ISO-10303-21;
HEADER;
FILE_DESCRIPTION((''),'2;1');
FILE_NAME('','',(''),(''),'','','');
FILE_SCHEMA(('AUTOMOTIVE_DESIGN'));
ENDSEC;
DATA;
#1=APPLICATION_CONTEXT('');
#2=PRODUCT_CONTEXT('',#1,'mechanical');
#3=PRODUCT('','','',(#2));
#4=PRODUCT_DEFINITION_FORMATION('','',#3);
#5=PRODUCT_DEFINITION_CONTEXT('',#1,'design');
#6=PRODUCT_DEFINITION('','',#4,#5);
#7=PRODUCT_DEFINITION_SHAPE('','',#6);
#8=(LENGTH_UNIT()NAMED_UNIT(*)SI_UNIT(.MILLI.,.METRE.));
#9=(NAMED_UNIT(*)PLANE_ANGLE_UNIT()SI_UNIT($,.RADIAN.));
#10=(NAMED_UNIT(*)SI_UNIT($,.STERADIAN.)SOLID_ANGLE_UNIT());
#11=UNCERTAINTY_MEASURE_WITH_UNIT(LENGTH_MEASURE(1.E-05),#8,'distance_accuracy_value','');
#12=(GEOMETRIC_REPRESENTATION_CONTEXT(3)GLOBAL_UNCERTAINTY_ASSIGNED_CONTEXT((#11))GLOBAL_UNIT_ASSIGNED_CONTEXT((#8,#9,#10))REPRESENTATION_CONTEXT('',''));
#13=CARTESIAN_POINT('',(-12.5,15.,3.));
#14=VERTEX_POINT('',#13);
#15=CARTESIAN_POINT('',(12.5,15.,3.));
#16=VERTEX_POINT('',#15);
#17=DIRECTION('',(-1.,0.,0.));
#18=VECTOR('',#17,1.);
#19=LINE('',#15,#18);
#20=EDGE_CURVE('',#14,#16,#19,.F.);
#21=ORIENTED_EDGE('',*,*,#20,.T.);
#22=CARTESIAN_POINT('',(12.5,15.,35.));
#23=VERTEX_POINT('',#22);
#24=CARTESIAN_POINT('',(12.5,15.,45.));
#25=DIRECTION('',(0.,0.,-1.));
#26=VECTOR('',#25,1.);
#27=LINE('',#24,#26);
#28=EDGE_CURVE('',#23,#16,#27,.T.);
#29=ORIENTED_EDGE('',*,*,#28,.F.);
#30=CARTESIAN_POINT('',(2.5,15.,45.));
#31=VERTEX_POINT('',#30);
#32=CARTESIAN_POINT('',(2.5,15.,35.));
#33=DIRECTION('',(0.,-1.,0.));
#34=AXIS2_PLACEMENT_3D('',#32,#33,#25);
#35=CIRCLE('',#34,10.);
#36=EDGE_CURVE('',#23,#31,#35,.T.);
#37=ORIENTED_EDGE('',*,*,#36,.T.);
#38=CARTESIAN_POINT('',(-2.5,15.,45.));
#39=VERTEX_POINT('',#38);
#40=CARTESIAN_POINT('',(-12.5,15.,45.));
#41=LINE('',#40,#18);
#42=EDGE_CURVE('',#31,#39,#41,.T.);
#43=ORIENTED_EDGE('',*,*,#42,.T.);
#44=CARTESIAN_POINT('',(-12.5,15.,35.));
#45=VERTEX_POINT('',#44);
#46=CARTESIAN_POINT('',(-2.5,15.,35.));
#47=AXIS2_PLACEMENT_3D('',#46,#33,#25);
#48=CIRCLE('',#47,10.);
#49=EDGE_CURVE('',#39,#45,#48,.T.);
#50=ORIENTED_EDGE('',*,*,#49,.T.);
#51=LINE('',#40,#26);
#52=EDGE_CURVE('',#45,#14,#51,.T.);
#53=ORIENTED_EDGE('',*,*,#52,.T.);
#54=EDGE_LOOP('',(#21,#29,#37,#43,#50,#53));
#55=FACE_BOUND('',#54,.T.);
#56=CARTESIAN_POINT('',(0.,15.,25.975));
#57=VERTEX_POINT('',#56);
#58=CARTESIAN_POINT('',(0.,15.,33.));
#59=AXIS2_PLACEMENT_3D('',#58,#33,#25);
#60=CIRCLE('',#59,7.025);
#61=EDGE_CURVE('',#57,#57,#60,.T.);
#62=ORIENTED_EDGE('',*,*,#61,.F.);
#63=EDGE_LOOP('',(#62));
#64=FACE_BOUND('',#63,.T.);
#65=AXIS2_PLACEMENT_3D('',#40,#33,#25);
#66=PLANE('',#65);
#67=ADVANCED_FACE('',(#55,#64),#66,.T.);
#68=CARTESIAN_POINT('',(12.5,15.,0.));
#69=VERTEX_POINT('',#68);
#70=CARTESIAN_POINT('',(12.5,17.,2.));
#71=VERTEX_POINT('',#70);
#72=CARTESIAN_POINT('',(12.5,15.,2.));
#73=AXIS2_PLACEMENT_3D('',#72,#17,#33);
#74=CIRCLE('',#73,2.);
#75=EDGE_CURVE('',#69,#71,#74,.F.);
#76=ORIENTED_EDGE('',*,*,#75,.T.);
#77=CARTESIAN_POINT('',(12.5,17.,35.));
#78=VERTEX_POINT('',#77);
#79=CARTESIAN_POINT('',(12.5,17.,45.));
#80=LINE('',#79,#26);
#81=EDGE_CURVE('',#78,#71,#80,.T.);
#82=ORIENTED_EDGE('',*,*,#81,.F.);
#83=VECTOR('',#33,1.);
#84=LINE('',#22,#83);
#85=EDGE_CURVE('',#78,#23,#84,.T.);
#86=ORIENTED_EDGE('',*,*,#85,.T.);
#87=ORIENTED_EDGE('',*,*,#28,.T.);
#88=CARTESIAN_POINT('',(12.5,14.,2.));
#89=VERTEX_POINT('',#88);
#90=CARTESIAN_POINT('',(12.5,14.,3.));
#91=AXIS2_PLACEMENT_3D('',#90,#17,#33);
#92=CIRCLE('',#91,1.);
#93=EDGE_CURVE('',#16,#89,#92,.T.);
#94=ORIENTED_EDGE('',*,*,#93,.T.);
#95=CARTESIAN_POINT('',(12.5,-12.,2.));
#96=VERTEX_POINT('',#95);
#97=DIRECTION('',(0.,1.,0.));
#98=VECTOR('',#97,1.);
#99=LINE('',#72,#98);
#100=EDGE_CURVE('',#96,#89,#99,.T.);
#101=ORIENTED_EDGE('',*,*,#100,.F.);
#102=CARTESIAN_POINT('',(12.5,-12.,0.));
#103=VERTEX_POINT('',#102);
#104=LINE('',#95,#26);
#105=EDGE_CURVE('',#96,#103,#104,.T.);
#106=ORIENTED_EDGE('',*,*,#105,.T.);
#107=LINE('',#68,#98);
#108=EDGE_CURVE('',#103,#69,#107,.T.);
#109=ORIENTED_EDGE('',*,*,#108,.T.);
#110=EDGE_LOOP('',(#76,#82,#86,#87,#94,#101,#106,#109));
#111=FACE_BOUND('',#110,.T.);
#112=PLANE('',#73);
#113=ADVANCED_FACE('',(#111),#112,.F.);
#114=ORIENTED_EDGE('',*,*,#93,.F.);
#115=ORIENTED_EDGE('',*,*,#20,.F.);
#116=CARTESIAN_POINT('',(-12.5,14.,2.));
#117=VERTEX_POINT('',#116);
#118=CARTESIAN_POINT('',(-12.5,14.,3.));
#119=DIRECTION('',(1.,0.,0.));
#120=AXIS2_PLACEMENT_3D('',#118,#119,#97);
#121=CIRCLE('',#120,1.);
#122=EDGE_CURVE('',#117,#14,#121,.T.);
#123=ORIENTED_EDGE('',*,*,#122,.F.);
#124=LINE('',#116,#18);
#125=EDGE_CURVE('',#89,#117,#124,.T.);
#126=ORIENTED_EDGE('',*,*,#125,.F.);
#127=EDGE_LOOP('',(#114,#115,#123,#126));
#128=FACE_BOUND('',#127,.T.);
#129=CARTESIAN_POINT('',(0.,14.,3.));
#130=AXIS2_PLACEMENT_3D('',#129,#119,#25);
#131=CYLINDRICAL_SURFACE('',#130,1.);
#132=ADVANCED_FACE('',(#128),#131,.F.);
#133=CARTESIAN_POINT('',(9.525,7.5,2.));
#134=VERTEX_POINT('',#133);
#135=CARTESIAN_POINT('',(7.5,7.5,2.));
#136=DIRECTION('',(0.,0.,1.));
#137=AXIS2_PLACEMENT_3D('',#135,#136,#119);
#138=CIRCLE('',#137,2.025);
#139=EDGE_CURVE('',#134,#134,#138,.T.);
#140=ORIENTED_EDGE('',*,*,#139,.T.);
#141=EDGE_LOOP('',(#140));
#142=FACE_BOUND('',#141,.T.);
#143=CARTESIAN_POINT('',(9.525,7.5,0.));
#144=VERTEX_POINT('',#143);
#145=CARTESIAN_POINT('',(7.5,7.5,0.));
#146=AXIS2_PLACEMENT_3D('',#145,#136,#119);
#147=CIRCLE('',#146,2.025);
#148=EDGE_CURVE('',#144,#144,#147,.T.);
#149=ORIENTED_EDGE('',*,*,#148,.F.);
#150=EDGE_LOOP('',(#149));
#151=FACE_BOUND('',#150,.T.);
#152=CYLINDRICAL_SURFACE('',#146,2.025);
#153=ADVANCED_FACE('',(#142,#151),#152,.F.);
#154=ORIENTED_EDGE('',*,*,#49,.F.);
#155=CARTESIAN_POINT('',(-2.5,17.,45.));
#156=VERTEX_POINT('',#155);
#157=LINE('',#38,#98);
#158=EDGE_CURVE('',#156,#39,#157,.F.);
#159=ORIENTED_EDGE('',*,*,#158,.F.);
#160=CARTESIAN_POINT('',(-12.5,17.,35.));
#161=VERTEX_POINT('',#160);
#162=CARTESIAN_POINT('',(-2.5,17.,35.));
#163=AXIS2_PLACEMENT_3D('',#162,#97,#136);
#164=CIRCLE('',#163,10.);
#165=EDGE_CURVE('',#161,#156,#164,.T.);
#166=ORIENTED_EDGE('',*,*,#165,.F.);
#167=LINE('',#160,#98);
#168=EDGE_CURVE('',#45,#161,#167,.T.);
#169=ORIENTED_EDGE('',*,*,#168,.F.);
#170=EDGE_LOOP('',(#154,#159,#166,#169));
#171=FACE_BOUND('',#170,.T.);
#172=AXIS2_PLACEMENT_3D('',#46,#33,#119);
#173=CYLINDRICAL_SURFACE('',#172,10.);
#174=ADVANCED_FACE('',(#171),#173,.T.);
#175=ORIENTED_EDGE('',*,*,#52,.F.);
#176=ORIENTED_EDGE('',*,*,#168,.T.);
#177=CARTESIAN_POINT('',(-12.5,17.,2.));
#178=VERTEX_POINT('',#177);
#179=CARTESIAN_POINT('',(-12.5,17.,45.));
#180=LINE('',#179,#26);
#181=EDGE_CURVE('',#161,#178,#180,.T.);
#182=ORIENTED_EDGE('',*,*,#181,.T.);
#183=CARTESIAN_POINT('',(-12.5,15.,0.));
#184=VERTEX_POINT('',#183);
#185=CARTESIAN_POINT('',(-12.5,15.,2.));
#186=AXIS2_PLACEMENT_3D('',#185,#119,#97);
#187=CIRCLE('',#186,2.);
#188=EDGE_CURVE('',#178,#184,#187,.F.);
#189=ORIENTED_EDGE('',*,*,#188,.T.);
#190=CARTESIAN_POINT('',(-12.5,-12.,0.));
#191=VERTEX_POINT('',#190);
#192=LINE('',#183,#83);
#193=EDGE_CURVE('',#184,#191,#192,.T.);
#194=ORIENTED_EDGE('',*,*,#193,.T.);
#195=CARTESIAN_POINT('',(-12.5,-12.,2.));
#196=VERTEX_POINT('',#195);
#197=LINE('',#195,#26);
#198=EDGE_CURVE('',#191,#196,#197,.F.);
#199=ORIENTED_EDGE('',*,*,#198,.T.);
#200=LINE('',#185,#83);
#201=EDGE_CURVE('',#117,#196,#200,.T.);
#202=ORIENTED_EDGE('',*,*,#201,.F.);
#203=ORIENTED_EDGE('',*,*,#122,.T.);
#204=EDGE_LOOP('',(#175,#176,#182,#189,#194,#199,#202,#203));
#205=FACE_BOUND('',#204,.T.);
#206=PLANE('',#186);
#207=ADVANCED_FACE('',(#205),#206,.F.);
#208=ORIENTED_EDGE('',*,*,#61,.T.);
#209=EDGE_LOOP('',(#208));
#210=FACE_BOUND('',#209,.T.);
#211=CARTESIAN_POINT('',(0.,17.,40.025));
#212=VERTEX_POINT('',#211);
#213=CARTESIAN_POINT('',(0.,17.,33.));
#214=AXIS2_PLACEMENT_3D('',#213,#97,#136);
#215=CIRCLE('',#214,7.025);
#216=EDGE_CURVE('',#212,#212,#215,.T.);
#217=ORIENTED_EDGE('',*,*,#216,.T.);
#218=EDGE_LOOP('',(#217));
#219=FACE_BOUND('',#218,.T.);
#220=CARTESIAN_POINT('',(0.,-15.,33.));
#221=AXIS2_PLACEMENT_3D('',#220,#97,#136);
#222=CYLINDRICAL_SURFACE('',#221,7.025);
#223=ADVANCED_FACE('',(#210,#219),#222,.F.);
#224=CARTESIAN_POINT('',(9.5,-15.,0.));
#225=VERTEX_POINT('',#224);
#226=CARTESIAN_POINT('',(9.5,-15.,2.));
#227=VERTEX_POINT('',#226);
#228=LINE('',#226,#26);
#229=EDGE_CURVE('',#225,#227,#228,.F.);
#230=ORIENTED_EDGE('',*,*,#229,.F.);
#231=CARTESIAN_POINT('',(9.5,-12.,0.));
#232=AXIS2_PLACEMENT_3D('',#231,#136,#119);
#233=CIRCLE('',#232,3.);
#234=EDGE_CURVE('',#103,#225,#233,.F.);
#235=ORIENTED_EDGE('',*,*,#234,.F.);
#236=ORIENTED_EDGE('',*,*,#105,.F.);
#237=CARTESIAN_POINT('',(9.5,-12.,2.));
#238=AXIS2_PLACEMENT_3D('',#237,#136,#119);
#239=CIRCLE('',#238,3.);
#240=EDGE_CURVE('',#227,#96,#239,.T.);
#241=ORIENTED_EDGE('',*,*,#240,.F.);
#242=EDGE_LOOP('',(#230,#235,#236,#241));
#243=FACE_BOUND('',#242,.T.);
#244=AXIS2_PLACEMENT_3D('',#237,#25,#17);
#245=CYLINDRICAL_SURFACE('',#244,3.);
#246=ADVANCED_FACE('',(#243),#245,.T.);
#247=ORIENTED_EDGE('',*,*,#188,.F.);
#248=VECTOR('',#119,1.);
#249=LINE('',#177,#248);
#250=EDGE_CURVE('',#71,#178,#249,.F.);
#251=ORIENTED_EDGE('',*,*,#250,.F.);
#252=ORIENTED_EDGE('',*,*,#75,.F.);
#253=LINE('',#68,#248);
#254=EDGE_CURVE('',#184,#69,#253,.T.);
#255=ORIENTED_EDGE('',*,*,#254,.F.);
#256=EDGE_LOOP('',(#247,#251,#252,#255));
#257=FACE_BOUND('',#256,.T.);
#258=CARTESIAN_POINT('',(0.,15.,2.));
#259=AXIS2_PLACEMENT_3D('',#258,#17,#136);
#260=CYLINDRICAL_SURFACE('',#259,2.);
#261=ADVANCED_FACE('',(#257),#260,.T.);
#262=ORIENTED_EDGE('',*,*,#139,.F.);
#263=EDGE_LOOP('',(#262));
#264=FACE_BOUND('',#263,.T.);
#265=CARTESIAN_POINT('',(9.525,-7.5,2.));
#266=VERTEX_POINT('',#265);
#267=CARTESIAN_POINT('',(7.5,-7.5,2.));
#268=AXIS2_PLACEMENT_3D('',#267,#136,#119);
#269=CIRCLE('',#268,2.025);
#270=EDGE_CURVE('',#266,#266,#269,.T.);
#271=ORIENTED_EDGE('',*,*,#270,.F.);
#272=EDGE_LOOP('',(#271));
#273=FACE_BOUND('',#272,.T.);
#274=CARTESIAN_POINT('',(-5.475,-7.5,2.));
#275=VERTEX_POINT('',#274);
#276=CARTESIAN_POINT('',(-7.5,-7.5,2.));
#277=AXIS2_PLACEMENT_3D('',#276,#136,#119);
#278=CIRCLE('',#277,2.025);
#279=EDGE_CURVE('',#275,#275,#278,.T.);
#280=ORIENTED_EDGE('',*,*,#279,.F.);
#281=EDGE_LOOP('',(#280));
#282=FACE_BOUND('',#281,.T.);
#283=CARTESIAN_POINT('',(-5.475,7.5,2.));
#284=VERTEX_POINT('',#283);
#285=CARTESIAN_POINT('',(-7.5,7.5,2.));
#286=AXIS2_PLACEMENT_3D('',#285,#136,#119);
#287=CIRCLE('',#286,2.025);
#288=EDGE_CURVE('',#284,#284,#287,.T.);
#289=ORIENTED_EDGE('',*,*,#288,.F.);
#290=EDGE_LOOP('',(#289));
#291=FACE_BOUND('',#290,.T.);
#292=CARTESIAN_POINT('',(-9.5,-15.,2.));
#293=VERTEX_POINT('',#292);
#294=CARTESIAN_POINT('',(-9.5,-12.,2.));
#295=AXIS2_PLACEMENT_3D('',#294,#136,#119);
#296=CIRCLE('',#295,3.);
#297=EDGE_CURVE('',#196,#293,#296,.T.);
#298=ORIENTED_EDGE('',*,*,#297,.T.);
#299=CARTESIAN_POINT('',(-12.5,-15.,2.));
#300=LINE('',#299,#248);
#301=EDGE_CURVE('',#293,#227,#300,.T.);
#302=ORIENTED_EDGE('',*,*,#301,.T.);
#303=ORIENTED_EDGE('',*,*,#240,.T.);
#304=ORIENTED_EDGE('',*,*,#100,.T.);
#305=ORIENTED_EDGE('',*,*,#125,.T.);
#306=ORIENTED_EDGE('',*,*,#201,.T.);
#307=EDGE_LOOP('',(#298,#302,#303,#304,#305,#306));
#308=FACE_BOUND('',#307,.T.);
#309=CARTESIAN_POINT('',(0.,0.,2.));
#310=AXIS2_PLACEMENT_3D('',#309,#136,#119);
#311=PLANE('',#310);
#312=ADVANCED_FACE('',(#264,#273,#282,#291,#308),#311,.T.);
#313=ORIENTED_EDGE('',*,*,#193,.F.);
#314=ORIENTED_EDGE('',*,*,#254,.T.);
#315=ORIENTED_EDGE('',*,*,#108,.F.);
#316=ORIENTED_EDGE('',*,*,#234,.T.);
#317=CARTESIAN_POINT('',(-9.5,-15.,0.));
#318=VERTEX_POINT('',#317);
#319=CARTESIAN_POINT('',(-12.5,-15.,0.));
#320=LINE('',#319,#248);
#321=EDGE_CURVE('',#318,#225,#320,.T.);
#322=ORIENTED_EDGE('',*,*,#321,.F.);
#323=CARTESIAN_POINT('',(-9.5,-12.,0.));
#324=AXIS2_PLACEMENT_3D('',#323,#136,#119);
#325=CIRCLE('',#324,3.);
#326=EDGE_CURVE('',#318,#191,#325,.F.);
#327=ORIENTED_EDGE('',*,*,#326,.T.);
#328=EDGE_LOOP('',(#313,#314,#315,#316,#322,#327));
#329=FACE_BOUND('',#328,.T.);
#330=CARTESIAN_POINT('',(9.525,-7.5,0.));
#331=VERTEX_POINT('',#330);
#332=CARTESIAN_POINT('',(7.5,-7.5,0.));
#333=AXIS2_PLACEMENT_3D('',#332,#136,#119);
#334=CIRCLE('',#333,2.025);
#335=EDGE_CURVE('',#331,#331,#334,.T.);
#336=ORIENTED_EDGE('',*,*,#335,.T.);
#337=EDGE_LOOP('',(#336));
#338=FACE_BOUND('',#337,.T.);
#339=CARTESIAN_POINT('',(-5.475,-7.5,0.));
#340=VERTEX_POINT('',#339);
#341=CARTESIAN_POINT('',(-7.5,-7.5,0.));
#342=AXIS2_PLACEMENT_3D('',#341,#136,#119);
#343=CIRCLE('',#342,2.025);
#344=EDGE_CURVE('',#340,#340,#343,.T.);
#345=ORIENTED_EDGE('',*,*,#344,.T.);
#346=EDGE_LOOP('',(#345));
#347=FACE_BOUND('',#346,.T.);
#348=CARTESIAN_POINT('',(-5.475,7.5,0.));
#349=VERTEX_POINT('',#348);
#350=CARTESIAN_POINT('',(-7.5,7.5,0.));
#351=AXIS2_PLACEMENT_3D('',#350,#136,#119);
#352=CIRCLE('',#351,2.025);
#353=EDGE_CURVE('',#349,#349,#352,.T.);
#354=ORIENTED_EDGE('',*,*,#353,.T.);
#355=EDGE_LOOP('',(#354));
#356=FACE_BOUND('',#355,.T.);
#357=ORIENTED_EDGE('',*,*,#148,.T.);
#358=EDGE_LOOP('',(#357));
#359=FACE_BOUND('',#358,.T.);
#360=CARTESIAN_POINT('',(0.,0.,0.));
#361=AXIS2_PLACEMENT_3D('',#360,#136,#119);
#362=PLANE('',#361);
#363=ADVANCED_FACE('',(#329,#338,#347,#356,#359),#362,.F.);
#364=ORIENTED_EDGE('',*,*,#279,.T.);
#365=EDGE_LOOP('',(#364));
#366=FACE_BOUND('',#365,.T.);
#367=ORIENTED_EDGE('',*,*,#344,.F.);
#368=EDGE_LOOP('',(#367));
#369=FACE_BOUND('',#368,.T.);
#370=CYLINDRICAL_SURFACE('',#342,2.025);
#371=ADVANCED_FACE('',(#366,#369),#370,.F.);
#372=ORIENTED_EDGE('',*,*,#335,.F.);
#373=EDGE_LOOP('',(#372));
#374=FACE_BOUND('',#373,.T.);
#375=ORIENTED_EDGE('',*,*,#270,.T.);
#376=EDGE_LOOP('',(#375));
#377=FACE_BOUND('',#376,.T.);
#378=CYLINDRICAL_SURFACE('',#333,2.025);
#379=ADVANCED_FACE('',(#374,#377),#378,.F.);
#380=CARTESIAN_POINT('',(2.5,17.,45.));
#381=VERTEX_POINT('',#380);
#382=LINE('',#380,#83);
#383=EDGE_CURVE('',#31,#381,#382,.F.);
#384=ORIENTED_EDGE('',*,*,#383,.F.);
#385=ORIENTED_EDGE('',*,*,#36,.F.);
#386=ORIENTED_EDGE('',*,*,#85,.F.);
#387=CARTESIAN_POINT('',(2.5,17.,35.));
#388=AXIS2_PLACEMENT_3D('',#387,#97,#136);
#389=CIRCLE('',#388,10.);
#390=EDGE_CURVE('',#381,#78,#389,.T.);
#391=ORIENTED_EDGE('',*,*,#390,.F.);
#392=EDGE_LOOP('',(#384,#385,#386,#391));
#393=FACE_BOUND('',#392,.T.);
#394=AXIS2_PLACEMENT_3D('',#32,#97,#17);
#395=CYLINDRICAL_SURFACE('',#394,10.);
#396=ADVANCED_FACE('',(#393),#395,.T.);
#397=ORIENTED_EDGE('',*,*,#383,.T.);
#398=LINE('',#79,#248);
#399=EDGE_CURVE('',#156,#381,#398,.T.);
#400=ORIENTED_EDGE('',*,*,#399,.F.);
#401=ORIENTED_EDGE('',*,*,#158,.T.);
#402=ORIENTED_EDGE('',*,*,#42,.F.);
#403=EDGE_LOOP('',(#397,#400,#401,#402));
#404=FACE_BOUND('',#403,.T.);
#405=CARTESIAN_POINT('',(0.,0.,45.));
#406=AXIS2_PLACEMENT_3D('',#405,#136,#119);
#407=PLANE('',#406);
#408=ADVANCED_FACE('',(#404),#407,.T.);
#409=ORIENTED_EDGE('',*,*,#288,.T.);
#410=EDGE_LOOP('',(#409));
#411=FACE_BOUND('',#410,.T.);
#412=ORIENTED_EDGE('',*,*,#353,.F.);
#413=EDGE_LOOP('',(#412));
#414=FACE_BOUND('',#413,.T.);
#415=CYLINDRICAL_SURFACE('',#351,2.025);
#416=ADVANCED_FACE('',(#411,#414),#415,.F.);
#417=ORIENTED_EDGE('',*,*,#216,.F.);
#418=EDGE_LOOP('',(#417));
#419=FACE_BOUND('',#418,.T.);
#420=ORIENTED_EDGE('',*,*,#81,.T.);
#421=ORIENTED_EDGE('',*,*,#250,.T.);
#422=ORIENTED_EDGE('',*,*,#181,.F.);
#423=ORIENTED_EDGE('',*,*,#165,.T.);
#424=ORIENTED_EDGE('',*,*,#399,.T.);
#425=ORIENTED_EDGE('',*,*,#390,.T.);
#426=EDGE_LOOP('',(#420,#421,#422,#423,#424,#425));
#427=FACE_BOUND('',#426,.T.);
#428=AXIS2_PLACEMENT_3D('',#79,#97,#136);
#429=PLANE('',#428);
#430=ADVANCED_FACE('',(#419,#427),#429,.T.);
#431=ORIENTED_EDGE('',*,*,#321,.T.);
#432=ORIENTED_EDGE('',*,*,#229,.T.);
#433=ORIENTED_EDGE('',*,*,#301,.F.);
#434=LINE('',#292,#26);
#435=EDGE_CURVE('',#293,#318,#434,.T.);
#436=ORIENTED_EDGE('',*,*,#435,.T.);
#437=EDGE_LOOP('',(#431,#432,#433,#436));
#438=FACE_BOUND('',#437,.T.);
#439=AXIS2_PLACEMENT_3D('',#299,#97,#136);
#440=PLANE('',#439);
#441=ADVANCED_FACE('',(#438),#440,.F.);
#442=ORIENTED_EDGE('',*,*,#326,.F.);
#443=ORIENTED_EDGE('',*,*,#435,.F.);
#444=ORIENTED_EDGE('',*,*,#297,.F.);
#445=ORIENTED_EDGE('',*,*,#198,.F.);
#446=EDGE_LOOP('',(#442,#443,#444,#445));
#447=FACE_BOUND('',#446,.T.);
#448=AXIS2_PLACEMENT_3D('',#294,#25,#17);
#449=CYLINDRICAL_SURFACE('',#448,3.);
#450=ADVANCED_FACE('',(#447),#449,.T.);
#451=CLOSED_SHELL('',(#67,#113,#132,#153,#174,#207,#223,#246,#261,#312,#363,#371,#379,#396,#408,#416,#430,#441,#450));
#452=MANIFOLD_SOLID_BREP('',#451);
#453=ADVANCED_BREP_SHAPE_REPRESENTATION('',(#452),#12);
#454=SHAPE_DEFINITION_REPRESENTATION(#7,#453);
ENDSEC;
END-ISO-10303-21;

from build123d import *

# Parameters (mm, degrees)
SKETCH1_W           = 25
SKETCH1_H           = 30
BOSS_EXTRUDE1_DEPTH = 2
SKETCH2_R           = 2.025
CUT_EXTRUDE1_DEPTH  = 20.627786426
SKETCH3_W           = 25
SKETCH3_H           = 2
BOSS_EXTRUDE2_DEPTH = 45
FILLET1_R           = 2
FILLET2_R           = 1
SKETCH4_R           = 7.025
CUT_EXTRUDE2_DEPTH  = 57.61492736
FILLET6_R           = 10
FILLET7_R           = 3


with BuildPart() as part:
    # Sketch1 → Boss-Extrude1 (new body)
    with BuildSketch(Plane.XY):
        Rectangle(SKETCH1_W, SKETCH1_H)
    extrude(amount=BOSS_EXTRUDE1_DEPTH)

    # Sketch2 → Cut-Extrude1 (cut, through all)
    with BuildSketch(Plane.XY.offset(2)):
        with Locations((-7.5, 7.5)):
            Circle(SKETCH2_R)
        with Locations((7.5, 7.5)):
            Circle(SKETCH2_R)
        with Locations((7.5, -7.5)):
            Circle(SKETCH2_R)
        with Locations((-7.5, -7.5)):
            Circle(SKETCH2_R)
    extrude(amount=-CUT_EXTRUDE1_DEPTH, mode=Mode.SUBTRACT)

    # Sketch3 → Boss-Extrude2 (add)
    with BuildSketch(Plane(origin=(0, 0, 0), x_dir=(-1, 0, 0), z_dir=(0, 0, -1))):
        with Locations((0, 16)):
            Rectangle(SKETCH3_W, SKETCH3_H)
    extrude(amount=-BOSS_EXTRUDE2_DEPTH)

    # Fillet1
    fillet1_edges = [part.edges().sort_by_distance(p)[0] for p in [
        (0, 17, 0),
    ]]
    fillet(fillet1_edges, radius=FILLET1_R)

    # Fillet2
    fillet2_edges = [part.edges().sort_by_distance(p)[0] for p in [
        (0, 15, 2),
    ]]
    fillet(fillet2_edges, radius=FILLET2_R)

    # Sketch4 → Cut-Extrude2 (cut, through all)
    with BuildSketch(Plane(origin=(0, 17, 0), x_dir=(1, 0, 0), z_dir=(0, 1, 0))):
        with Locations(Location((0, -33, 0), (0, 0, 270))):
            Circle(SKETCH4_R)
    extrude(amount=-CUT_EXTRUDE2_DEPTH, mode=Mode.SUBTRACT)

    # Fillet6
    fillet6_edges = [part.edges().sort_by_distance(p)[0] for p in [
        (12.5, 16, 45),
        (-12.5, 16, 45),
    ]]
    fillet(fillet6_edges, radius=FILLET6_R)

    # Fillet7
    fillet7_edges = [part.edges().sort_by_distance(p)[0] for p in [
        (12.5, -15, 1),
        (-12.5, -15, 1),
    ]]
    fillet(fillet7_edges, radius=FILLET7_R)


solid = part.part
